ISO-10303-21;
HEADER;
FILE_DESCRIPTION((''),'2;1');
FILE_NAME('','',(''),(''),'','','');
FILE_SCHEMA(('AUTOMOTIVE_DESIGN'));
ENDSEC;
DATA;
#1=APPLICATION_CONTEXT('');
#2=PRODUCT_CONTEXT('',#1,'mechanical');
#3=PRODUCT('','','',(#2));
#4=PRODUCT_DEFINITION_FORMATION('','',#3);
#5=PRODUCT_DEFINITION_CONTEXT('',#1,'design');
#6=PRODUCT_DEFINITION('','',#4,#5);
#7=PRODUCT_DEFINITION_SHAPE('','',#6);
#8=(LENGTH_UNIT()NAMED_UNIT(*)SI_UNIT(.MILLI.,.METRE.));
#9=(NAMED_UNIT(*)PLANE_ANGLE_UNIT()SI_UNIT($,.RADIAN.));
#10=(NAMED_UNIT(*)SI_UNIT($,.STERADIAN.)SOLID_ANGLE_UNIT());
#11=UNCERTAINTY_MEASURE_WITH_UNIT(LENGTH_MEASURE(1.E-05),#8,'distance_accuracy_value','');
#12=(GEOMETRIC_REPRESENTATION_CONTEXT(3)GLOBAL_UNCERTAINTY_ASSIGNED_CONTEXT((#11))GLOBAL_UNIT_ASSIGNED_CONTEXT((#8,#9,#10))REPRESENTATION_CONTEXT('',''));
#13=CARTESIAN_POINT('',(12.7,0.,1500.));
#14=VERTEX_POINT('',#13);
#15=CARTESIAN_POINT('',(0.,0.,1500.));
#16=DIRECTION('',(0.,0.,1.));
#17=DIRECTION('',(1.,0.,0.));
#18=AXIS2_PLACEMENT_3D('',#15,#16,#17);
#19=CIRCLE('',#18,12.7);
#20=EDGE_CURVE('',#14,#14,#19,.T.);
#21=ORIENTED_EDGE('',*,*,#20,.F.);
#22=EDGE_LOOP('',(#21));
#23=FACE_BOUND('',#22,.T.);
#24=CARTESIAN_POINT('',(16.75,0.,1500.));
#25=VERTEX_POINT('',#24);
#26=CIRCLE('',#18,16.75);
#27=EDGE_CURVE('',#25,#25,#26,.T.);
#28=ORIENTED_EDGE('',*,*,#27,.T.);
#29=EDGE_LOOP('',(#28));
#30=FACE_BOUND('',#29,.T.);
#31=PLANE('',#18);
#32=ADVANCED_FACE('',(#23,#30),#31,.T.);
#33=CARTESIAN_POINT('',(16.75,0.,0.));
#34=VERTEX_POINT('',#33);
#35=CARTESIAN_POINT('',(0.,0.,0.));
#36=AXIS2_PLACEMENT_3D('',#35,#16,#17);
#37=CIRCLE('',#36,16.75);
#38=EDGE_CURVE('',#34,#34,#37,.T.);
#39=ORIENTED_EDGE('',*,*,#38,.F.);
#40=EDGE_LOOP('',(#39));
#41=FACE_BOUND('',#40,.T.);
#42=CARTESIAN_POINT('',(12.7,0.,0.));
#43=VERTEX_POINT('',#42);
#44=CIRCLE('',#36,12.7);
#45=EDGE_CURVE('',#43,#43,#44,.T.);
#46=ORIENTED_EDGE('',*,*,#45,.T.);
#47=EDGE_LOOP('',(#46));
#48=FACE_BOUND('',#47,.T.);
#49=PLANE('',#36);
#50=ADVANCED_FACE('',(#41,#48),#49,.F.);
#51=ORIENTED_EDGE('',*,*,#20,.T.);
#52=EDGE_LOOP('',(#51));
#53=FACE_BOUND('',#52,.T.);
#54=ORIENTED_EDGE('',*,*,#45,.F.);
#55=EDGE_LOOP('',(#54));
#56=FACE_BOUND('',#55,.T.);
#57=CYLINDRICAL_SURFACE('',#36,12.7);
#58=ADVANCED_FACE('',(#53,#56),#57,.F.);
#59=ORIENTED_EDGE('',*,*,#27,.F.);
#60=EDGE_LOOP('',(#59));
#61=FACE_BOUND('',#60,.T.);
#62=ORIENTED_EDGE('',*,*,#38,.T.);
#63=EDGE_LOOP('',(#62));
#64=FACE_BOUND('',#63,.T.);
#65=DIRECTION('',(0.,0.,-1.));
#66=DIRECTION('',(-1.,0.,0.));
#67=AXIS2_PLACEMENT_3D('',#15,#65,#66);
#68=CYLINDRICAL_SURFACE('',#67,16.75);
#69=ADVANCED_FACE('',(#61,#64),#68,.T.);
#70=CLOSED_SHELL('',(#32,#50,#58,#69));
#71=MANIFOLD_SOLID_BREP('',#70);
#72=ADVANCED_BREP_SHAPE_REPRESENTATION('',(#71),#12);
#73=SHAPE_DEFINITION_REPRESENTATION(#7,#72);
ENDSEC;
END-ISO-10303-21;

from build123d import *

# Parameters (mm, degrees)
CROQUIS1_R              = 16.75
SALIENTE_EXTRUIR1_DEPTH = 1500
CROQUIS2_R              = 12.7
CORTAR_EXTRUIR1_DEPTH   = 1500


with BuildPart() as part:
    # Croquis1 → Saliente-Extruir1 (new body)
    with BuildSketch(Plane.XY):
        Circle(CROQUIS1_R)
    extrude(amount=SALIENTE_EXTRUIR1_DEPTH)

    # Croquis2 → Cortar-Extruir1 (cut)
    with BuildSketch(Plane.XY.offset(1500)):
        Circle(CROQUIS2_R)
    extrude(amount=-CORTAR_EXTRUIR1_DEPTH, mode=Mode.SUBTRACT)


solid = part.part
